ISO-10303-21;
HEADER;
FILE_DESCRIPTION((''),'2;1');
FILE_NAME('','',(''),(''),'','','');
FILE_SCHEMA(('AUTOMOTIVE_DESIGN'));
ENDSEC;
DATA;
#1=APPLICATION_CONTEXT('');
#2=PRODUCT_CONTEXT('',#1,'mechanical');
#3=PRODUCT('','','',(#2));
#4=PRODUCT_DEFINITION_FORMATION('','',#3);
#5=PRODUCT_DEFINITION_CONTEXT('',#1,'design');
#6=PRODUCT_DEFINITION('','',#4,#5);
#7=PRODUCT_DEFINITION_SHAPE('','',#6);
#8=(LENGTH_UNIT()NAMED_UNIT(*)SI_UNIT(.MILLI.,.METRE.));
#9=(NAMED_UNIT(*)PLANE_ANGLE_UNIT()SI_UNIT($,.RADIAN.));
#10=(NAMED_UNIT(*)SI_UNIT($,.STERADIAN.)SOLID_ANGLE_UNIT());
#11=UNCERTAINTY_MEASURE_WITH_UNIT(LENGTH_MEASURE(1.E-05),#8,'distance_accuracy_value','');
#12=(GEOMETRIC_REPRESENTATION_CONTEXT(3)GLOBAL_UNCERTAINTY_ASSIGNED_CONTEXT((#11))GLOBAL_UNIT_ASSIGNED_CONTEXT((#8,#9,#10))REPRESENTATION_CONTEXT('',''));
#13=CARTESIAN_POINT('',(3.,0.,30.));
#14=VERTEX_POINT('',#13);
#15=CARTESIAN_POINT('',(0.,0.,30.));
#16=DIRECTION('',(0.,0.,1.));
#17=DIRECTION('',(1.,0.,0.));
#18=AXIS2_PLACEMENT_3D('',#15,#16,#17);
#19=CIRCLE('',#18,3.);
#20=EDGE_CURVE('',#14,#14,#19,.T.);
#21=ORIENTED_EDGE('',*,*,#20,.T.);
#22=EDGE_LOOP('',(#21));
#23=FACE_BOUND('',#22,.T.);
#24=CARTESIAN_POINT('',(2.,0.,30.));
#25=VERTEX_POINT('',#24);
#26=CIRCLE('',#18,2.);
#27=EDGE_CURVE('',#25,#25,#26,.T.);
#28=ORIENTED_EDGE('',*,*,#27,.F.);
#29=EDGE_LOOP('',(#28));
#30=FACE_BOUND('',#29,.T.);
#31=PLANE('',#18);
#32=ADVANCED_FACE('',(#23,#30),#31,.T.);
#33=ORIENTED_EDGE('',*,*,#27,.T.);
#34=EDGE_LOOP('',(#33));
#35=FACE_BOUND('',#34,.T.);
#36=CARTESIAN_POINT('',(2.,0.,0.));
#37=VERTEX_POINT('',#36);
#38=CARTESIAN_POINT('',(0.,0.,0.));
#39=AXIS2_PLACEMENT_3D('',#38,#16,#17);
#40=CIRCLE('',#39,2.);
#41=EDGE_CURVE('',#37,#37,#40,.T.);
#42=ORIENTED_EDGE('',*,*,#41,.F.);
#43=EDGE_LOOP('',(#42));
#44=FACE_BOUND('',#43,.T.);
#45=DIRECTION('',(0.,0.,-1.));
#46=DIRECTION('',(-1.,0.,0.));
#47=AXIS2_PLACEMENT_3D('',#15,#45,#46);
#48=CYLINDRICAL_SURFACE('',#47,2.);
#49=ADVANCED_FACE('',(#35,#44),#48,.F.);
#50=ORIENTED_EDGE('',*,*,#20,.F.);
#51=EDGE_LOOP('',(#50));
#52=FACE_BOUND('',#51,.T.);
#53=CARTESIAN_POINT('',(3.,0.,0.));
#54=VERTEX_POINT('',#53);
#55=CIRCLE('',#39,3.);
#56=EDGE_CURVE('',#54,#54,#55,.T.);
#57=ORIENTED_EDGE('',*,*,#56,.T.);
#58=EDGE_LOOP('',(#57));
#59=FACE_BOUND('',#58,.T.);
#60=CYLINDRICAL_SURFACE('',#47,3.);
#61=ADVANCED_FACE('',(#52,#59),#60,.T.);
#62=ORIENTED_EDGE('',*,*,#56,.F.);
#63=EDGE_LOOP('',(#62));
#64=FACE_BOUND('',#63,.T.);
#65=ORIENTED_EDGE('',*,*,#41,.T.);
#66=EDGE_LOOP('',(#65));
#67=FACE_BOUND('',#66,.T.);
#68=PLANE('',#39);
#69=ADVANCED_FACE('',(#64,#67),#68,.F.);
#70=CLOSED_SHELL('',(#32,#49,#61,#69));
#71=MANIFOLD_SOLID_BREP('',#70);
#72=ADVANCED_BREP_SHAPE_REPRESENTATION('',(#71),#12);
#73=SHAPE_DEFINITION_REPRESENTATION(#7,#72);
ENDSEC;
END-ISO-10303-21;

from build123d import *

# Parameters (mm, degrees)
SKETCH_1_R      = 3
SKETCH_1_R_2    = 2
EXTRUDE_1_DEPTH = 30


with BuildPart() as part:
    # ｽｹｯﾁ1 → ﾎﾞｽ - 押し出し1 (new body)
    with BuildSketch(Plane.XY):
        Circle(SKETCH_1_R)
        Circle(SKETCH_1_R_2, mode=Mode.SUBTRACT)
    extrude(amount=EXTRUDE_1_DEPTH)


solid = part.part
